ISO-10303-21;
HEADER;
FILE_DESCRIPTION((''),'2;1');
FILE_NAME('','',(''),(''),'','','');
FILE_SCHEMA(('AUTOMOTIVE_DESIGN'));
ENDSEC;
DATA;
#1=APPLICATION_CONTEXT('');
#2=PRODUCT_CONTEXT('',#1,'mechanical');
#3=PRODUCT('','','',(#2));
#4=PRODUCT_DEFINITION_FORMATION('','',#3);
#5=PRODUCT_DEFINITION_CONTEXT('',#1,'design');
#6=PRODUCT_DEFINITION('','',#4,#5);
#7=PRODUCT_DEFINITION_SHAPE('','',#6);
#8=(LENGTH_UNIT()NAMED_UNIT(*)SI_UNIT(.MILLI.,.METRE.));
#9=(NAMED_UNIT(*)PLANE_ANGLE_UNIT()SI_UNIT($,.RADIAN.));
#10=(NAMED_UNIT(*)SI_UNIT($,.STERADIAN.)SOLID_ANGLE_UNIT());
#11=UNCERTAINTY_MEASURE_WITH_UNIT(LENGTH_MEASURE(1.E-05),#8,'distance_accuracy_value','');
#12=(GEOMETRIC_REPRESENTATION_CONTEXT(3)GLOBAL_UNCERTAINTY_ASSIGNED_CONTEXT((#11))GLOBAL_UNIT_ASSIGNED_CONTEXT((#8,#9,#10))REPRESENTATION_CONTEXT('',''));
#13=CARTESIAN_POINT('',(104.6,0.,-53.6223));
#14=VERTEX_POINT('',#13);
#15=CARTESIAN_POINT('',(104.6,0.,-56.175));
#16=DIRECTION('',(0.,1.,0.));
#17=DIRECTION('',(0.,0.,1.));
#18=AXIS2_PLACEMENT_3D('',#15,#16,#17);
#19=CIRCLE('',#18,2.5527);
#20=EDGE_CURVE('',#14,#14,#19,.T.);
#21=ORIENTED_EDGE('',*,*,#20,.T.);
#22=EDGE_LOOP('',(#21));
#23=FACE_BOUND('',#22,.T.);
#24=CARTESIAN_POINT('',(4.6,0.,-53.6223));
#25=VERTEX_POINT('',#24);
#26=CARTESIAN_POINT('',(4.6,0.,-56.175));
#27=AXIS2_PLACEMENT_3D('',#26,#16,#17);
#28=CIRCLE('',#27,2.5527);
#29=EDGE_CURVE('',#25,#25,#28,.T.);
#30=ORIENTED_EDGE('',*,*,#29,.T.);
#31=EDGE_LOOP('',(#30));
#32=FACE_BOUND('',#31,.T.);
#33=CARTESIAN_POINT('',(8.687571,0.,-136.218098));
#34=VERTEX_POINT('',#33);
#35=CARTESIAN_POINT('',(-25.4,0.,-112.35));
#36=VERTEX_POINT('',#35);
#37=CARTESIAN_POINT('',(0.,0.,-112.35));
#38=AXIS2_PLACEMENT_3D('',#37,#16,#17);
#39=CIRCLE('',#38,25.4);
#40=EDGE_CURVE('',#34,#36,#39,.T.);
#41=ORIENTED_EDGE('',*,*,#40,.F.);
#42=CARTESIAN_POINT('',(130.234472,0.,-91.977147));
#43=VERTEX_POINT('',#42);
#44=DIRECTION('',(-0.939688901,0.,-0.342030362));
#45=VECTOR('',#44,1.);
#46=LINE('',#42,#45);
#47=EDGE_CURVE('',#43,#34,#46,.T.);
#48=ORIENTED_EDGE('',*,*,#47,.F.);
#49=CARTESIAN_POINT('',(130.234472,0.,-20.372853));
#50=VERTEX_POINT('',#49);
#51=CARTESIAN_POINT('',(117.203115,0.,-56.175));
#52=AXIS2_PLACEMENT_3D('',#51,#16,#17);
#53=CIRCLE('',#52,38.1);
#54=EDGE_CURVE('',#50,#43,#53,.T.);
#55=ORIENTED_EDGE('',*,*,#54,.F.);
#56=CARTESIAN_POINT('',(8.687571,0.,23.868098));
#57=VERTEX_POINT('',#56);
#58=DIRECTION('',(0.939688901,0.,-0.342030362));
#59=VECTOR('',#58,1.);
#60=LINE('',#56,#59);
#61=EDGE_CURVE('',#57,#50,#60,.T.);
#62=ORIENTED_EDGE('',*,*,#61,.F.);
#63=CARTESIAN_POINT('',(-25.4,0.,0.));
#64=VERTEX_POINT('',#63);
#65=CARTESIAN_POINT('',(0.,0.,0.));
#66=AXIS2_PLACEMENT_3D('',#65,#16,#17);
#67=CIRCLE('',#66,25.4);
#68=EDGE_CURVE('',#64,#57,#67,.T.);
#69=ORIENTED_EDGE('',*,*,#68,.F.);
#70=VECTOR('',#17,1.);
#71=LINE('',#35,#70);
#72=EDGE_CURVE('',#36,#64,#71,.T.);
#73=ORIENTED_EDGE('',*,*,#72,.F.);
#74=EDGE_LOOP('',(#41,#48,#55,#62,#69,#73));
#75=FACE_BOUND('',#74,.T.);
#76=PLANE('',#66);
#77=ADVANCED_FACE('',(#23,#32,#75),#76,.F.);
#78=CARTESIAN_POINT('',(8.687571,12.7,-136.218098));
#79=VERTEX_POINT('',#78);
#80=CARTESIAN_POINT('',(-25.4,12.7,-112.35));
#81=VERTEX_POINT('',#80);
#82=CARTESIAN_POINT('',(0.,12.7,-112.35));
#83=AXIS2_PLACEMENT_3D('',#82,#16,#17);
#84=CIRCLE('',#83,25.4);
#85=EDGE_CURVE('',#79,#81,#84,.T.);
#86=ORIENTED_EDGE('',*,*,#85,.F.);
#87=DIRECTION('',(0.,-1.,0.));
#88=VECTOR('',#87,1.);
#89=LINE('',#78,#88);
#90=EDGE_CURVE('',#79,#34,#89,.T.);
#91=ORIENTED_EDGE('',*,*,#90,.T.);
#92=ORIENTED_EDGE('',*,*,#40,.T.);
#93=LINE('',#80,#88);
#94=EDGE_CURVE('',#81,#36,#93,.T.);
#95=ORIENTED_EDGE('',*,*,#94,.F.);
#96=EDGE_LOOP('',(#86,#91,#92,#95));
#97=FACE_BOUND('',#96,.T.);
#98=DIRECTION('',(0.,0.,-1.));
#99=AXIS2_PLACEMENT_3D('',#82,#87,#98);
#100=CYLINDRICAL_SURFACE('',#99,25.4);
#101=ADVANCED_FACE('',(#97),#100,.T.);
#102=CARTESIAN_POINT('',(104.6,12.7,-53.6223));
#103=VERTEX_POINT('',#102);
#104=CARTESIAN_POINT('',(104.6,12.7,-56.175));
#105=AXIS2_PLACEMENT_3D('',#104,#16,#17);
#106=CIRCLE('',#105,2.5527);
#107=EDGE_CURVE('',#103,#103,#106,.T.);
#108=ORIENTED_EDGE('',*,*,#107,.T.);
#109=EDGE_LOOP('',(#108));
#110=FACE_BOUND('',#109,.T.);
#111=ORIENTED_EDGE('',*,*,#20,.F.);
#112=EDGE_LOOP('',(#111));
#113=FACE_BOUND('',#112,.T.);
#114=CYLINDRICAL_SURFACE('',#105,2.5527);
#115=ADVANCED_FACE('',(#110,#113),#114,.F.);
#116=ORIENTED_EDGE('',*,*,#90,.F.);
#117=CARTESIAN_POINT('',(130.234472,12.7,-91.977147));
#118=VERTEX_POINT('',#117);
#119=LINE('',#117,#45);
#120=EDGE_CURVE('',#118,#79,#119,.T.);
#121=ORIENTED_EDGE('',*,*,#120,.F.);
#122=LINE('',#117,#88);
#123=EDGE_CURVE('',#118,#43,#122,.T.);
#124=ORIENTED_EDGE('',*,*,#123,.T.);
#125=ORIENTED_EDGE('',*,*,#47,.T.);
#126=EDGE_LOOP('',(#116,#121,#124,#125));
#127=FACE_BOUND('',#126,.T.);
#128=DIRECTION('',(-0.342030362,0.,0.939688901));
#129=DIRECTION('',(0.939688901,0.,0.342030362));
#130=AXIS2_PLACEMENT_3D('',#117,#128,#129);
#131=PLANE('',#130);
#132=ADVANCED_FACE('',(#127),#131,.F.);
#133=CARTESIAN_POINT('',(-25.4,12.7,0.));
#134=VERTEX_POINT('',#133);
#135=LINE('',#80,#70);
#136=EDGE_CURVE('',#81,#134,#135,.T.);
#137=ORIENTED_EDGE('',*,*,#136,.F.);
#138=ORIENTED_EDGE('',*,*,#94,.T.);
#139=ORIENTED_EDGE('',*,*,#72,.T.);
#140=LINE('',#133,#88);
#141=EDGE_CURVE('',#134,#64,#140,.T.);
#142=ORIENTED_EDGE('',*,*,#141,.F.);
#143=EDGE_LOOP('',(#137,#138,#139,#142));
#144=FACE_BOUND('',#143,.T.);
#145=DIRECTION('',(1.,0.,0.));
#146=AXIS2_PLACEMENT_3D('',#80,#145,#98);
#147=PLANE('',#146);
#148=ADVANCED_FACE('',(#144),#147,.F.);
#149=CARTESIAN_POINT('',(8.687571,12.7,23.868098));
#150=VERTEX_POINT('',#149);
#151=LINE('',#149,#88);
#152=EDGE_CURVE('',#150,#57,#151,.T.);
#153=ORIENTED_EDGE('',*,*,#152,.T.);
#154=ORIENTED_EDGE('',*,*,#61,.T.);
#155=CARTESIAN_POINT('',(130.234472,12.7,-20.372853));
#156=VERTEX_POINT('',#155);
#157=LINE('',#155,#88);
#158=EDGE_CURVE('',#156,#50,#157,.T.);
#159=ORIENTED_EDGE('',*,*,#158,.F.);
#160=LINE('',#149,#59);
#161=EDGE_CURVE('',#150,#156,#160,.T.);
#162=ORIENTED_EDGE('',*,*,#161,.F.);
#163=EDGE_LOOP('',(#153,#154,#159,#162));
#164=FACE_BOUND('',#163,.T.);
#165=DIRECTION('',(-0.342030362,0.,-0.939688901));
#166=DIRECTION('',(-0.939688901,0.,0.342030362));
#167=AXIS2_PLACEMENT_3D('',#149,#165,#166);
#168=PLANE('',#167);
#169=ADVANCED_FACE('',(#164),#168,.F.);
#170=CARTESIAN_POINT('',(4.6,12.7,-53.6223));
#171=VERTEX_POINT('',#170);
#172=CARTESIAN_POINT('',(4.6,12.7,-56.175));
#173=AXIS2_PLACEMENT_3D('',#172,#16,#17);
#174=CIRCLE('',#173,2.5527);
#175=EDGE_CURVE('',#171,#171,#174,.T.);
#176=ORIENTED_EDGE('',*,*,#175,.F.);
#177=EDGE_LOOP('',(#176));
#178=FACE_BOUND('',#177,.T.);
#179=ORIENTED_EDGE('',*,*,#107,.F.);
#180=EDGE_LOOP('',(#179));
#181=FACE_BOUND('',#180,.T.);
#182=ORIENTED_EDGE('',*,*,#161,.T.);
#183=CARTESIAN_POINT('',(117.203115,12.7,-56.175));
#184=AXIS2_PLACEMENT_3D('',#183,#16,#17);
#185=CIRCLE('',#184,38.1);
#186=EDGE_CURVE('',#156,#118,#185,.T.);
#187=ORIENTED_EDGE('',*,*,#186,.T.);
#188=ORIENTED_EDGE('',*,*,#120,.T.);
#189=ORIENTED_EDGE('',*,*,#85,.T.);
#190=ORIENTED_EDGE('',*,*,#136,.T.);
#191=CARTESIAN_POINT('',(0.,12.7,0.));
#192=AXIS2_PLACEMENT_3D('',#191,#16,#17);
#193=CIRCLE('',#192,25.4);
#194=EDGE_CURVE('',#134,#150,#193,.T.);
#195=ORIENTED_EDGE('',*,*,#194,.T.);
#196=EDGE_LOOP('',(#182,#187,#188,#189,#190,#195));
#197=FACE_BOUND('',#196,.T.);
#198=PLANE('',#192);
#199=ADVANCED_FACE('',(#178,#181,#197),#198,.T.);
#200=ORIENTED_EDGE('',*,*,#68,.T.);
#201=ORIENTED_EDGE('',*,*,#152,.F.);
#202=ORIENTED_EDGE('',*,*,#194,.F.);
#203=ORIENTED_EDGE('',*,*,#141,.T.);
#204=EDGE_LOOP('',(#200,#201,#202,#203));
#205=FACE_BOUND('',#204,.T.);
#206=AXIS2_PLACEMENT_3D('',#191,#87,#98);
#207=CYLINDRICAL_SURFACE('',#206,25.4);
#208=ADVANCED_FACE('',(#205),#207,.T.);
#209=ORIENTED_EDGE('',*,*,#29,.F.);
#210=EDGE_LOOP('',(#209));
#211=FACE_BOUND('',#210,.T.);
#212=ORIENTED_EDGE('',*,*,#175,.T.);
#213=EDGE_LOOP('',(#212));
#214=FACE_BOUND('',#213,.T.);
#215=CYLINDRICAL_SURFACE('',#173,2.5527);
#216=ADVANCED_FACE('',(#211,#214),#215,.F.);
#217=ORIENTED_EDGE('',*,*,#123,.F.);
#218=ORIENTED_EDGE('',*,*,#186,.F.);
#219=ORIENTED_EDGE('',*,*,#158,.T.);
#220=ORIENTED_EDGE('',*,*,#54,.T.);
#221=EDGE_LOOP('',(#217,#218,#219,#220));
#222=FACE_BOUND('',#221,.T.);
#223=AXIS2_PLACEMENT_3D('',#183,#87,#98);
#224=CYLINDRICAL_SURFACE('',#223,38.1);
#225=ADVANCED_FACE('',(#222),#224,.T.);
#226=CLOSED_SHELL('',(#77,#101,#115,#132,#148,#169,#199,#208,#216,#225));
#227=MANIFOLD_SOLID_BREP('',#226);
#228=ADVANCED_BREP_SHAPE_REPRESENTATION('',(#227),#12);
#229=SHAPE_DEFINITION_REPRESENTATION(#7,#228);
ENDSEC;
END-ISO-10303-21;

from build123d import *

# Parameters (mm, degrees)
BOSS_EXTRUDE1_DEPTH         = 12.7
F_1_4_20_TAPPED_HOLE1_D     = 5.1054
F_1_4_20_TAPPED_HOLE1_DEPTH = 19.05
F_1_4_20_TAPPED_HOLE1_TIP   = 1.533816902


with BuildPart() as part:
    # Sketch1 → Boss-Extrude1 (new body)
    with BuildSketch(Plane(origin=(0, 0, 0), x_dir=(1, 0, 0), z_dir=(0, 1, 0))):
        with BuildLine():
            Line((8.6875712, -23.868098094), (130.234472266, 20.372852858))
            ThreePointArc((130.234472266, 20.372852858), (155.303115466, 56.175), (130.234472266, 91.977147142))
            Line((130.234472266, 91.977147142), (8.6875712, 136.218098094))
            ThreePointArc((8.6875712, 136.218098094), (-14.568728351, 133.156541141), (-25.4, 112.35))
            Line((-25.4, 112.35), (-25.4, 0))
            ThreePointArc((-25.4, 0), (-14.568728351, -20.806541141), (8.6875712, -23.868098094))
        make_face()
    extrude(amount=BOSS_EXTRUDE1_DEPTH)

    # 1/4-20 Tapped Hole1
    with Locations(Plane(origin=(4.6, 12.7, -56.175), x_dir=(0, 0, 1), z_dir=(0, 1, 0))):
        with Locations((0, 0), (0, 100)):
            Hole(F_1_4_20_TAPPED_HOLE1_D / 2, depth=F_1_4_20_TAPPED_HOLE1_DEPTH)
            with Locations((0, 0, -(F_1_4_20_TAPPED_HOLE1_DEPTH + F_1_4_20_TAPPED_HOLE1_TIP / 2))):  # 118° drill point
                Cone(0, F_1_4_20_TAPPED_HOLE1_D / 2, F_1_4_20_TAPPED_HOLE1_TIP, mode=Mode.SUBTRACT)


solid = part.part
